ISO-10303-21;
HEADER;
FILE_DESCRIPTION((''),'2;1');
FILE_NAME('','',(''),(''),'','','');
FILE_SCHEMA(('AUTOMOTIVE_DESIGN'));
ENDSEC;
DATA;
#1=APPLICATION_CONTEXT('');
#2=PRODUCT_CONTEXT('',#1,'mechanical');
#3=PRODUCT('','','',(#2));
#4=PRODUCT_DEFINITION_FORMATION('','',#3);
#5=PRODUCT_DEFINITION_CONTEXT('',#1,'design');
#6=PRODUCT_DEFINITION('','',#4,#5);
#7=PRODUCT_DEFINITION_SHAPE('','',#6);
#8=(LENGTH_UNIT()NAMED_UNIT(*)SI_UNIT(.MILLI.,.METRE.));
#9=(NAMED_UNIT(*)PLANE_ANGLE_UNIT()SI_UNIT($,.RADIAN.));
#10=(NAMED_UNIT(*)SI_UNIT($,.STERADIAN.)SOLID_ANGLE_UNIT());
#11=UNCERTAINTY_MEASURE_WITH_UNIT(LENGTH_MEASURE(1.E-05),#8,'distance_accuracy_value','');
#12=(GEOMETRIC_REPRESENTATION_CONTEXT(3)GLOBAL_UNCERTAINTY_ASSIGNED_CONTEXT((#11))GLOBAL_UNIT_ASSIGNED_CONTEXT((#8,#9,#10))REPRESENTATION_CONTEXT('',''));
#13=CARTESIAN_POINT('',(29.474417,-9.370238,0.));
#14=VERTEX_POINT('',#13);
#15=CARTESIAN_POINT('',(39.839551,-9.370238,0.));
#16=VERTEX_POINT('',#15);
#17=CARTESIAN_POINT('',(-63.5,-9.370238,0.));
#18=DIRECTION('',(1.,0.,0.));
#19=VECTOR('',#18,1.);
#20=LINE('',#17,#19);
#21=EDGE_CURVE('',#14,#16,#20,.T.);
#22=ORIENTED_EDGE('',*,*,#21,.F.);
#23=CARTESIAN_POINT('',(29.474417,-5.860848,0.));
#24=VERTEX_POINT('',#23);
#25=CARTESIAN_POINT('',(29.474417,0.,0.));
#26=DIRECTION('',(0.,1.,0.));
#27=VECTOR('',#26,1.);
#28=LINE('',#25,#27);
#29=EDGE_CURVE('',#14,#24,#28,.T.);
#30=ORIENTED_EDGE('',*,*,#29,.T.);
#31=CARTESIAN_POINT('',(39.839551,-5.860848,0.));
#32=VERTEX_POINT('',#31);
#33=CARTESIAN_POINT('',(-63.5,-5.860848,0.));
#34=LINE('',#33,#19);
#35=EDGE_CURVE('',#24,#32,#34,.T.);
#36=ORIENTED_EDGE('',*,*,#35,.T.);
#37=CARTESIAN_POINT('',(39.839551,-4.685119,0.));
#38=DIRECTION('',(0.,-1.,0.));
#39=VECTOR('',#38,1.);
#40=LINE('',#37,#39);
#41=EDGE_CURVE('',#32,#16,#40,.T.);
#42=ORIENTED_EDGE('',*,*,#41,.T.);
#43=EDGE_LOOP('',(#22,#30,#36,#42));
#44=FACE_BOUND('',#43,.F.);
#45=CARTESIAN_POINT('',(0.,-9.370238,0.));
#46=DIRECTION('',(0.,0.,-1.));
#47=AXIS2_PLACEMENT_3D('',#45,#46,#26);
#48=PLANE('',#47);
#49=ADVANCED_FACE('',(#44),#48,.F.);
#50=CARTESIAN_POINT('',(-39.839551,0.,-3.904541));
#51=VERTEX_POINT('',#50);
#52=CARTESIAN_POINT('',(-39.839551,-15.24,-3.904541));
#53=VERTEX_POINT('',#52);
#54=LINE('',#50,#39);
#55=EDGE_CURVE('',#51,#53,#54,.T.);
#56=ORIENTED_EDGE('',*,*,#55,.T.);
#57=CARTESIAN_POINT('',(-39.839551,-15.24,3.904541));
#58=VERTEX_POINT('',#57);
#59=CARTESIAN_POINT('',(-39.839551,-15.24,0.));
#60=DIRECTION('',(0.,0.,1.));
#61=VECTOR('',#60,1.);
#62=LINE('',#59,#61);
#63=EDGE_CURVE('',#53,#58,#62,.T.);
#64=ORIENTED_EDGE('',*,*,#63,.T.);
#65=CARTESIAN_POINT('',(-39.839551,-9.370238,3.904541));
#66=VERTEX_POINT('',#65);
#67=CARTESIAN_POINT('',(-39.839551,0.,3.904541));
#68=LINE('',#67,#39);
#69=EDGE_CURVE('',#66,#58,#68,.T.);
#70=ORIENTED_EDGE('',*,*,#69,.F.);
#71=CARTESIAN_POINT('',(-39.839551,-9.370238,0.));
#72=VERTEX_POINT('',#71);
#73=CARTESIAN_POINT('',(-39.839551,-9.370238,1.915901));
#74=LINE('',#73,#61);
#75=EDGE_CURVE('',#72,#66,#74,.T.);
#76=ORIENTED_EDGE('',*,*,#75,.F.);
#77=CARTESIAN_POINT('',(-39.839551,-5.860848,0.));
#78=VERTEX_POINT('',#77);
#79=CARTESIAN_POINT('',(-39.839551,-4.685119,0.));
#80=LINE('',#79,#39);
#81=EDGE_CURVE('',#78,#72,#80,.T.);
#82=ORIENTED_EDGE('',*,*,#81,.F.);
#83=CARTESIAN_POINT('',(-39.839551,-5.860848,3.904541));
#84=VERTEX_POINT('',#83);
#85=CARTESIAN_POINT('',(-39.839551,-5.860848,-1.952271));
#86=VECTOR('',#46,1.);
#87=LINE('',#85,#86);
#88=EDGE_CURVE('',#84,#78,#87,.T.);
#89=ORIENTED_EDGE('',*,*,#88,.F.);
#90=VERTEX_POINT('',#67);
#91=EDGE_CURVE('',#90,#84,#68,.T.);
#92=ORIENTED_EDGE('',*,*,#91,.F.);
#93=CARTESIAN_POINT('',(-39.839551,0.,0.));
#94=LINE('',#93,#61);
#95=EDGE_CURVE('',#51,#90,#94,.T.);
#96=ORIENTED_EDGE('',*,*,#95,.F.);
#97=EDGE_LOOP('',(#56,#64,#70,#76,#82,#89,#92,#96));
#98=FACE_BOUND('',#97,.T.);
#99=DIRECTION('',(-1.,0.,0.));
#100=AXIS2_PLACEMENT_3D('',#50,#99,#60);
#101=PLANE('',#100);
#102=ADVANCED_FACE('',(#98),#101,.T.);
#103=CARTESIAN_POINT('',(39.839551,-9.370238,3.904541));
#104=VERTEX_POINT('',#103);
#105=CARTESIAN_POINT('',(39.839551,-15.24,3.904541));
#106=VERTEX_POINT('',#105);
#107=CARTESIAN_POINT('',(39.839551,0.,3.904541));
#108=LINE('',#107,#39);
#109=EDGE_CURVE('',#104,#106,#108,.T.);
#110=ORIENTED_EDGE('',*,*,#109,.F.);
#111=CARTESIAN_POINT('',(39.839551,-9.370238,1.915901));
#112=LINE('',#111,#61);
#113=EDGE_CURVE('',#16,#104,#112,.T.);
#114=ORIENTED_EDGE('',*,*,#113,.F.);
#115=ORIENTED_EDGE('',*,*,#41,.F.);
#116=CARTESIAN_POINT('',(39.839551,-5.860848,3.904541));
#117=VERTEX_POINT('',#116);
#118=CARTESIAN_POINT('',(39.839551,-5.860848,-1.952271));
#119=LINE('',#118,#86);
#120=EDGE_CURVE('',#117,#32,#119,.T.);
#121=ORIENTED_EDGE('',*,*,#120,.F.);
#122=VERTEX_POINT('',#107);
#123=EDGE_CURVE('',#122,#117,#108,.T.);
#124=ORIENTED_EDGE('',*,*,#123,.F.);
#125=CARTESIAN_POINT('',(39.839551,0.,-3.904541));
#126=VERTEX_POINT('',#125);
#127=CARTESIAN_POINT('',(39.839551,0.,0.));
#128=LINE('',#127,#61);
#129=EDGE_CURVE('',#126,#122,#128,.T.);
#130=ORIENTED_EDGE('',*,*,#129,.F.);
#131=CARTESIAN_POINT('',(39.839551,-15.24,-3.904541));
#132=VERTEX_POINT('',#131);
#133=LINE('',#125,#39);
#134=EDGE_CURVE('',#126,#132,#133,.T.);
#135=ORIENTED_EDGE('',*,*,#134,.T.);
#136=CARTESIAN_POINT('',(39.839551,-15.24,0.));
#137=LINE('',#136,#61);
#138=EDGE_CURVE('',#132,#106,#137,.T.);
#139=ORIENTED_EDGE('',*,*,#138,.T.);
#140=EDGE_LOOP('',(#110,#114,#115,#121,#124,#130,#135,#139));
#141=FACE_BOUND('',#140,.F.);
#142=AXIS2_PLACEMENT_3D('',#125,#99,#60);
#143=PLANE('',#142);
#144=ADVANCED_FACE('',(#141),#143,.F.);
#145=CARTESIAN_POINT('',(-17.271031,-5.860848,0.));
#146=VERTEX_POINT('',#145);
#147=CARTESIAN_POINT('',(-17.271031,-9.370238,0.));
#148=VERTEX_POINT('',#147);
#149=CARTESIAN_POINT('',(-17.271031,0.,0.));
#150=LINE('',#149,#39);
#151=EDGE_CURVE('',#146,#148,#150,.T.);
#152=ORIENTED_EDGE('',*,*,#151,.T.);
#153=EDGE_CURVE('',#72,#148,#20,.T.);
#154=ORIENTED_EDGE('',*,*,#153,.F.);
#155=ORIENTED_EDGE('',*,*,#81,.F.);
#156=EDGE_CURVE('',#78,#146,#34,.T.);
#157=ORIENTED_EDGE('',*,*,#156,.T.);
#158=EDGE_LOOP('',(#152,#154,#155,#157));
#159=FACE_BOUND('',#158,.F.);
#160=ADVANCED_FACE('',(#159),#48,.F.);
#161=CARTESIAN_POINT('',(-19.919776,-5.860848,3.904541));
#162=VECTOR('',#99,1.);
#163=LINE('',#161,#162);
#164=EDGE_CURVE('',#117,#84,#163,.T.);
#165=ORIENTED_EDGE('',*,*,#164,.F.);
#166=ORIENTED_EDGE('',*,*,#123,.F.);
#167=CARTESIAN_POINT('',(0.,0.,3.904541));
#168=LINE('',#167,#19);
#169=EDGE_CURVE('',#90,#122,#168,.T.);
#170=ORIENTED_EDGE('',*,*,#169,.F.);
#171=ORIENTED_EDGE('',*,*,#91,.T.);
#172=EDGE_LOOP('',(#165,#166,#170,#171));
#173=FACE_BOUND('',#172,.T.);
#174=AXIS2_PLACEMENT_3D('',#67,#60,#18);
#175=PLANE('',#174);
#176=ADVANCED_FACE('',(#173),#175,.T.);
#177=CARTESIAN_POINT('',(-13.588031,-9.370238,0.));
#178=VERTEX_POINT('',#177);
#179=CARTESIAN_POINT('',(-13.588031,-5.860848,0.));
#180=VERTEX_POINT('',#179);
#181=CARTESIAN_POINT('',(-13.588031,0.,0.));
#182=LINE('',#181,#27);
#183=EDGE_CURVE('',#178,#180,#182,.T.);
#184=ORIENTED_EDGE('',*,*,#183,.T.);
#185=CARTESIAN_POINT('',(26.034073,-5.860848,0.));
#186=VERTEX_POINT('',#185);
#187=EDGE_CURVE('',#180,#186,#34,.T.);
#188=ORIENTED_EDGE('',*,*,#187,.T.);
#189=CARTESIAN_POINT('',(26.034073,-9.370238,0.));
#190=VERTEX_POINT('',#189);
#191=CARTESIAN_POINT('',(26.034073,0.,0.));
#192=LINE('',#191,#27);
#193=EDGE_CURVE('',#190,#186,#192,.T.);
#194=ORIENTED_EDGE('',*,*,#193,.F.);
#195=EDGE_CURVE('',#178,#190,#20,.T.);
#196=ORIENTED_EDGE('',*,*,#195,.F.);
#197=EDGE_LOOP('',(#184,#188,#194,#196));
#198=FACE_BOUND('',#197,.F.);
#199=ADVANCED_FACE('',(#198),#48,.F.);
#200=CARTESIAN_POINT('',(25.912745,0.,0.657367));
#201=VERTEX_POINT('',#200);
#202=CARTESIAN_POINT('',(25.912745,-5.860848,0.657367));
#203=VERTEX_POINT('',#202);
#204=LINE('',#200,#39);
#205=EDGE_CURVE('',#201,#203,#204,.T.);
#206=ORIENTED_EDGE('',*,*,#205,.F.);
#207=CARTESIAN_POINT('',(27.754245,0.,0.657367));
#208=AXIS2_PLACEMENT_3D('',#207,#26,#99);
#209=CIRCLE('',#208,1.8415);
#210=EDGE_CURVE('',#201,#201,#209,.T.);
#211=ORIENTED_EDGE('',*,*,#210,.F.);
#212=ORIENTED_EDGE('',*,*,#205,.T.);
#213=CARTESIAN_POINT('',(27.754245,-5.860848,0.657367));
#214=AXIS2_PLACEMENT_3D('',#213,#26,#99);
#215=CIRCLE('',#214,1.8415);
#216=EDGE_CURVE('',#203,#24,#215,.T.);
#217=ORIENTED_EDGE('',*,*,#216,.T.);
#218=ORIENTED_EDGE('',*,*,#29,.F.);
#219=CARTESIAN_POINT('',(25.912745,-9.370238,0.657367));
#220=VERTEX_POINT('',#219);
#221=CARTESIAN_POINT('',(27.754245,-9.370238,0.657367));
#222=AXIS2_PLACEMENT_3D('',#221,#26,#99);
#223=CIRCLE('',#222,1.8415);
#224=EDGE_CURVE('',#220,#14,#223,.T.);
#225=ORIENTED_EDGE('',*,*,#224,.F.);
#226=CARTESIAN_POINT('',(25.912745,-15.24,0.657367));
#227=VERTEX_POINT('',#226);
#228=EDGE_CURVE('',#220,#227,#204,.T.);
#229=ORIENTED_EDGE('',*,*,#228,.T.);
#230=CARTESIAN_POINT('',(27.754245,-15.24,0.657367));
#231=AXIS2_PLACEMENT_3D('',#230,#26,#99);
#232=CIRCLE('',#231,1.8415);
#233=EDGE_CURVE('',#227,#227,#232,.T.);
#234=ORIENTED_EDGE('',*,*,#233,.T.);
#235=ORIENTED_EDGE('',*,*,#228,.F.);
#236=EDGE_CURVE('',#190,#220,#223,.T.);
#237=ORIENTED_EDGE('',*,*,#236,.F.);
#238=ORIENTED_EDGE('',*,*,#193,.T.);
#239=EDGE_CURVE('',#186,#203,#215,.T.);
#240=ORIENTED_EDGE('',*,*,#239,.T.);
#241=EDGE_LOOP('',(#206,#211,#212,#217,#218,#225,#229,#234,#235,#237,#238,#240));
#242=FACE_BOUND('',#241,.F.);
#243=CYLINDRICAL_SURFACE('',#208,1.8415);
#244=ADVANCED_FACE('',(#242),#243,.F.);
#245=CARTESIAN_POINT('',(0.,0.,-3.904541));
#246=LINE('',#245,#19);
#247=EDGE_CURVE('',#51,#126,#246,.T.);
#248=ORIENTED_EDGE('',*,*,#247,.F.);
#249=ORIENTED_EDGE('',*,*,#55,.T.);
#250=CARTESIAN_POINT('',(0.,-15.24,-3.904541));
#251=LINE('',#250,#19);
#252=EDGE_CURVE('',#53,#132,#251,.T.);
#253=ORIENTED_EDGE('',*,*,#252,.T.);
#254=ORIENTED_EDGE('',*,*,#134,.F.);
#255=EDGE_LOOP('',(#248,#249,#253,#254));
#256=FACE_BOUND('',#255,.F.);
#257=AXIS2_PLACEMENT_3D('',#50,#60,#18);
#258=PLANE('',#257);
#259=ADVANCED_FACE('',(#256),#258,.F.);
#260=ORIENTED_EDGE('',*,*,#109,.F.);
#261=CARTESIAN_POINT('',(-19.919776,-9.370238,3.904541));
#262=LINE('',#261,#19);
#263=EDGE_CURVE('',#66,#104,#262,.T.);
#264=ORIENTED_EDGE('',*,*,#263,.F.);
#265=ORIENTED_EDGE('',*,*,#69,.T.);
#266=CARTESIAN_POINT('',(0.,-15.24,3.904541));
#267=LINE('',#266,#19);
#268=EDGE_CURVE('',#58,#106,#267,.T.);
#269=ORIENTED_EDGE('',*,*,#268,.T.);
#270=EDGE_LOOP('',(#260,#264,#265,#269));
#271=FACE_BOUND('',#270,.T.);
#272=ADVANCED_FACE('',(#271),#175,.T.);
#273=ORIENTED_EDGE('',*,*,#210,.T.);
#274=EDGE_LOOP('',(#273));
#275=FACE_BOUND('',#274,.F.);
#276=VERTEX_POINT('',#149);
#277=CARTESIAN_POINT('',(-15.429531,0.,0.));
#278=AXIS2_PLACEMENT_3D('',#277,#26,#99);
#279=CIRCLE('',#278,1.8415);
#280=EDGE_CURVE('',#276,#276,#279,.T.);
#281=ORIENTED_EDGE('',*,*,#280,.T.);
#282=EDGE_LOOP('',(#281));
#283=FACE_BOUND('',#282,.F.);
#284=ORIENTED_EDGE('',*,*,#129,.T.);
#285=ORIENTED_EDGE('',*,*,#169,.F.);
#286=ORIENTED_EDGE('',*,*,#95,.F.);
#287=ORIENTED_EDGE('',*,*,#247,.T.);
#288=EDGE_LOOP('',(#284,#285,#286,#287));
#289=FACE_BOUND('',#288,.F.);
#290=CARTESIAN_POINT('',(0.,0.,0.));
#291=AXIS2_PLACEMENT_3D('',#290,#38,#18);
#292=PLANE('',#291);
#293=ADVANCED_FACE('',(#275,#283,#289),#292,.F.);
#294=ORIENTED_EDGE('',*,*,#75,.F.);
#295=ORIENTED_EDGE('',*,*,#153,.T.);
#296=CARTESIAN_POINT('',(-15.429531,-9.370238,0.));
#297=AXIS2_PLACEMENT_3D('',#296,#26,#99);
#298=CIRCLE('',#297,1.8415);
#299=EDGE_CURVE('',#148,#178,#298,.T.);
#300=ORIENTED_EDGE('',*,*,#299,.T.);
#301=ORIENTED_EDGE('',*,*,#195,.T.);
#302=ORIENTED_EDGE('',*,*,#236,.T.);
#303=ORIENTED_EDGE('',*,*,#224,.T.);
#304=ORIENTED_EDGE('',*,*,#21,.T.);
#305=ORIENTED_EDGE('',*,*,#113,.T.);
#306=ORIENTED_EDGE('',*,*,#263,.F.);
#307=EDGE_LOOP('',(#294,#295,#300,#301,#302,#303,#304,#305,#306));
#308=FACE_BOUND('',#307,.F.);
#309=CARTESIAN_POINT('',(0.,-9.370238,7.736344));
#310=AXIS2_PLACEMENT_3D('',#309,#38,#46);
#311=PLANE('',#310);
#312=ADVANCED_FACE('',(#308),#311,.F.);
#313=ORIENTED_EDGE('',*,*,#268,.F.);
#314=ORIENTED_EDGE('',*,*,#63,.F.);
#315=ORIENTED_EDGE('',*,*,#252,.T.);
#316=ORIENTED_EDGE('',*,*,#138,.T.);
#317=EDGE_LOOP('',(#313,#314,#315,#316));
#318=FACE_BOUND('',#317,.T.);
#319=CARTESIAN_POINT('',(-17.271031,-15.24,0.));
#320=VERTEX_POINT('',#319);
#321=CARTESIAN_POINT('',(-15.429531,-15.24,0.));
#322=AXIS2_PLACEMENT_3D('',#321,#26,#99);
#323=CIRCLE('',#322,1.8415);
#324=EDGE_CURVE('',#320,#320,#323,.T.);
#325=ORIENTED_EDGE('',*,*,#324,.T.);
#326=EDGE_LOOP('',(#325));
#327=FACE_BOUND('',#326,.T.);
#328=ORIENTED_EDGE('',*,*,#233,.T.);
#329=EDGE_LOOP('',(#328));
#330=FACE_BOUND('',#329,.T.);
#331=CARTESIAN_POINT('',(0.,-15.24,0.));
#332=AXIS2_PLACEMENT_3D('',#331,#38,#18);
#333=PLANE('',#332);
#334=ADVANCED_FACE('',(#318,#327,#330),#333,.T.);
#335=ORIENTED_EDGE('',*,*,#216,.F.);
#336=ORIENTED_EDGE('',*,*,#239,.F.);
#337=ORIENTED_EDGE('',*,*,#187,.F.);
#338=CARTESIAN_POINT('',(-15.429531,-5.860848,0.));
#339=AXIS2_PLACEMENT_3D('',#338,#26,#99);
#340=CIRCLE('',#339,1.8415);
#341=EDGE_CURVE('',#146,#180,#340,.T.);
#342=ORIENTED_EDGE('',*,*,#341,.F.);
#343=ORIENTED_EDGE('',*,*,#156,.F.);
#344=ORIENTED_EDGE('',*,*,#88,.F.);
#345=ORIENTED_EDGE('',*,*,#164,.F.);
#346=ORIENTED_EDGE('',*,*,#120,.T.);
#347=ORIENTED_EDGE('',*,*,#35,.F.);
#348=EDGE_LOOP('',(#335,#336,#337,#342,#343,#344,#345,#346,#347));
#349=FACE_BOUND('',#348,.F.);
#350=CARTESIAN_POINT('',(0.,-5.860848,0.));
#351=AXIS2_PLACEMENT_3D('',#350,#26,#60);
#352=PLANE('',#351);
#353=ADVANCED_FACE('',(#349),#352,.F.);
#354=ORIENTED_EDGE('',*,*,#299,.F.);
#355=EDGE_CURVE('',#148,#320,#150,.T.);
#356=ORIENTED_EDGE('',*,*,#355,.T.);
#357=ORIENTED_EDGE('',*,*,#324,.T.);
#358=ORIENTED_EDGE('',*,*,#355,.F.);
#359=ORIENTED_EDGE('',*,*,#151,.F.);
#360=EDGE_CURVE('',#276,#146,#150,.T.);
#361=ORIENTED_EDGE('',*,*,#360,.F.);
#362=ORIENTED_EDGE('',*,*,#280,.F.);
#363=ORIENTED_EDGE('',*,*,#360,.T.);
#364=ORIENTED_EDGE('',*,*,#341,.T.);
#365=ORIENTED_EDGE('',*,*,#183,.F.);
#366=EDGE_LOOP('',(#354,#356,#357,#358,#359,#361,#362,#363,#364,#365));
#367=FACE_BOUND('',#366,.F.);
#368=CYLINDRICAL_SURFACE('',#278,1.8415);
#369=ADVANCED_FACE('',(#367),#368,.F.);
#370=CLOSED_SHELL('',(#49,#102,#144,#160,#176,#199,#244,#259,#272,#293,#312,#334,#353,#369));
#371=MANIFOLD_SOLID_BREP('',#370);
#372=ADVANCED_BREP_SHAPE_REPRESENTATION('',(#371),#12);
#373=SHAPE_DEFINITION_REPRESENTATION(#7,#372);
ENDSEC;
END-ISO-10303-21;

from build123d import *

# Parameters (mm, degrees)
F0_W     = 79.679102
F0_H     = 7.809082
F1_DEPTH = 15.24
F2_W     = 3.50939
F2_H     = 3.868172
F3_DEPTH = 63.5
F4_R     = 1.8415
F5_DEPTH = 32.7406


with BuildPart() as f1:
    # F0 (on Front) → F1 (new body)
    with BuildSketch(Plane.XZ):
        Rectangle(F0_W, F0_H)
    extrude(amount=F1_DEPTH)

    # F2 (on Right) → F3 (cut, symmetric)
    with BuildSketch(Plane.YZ):
        with Locations((-7.615543, 5.802258)):
            Rectangle(F2_W, F2_H)
        with Locations((-7.615543, 1.934086)):
            Rectangle(F2_W, F2_H)
    extrude(amount=F3_DEPTH, both=True, mode=Mode.SUBTRACT)

    # F4 (on face) → F5 (cut)
    with BuildSketch(Plane(origin=(0, 0, 0), x_dir=(-1, 0, 0), z_dir=(0, 1, 0))):
        with Locations((-27.754245, 0.657367)):
            Circle(F4_R)
        with Locations((15.429531, 0)):
            Circle(F4_R)
    extrude(amount=-F5_DEPTH, mode=Mode.SUBTRACT)


solid = f1.part
